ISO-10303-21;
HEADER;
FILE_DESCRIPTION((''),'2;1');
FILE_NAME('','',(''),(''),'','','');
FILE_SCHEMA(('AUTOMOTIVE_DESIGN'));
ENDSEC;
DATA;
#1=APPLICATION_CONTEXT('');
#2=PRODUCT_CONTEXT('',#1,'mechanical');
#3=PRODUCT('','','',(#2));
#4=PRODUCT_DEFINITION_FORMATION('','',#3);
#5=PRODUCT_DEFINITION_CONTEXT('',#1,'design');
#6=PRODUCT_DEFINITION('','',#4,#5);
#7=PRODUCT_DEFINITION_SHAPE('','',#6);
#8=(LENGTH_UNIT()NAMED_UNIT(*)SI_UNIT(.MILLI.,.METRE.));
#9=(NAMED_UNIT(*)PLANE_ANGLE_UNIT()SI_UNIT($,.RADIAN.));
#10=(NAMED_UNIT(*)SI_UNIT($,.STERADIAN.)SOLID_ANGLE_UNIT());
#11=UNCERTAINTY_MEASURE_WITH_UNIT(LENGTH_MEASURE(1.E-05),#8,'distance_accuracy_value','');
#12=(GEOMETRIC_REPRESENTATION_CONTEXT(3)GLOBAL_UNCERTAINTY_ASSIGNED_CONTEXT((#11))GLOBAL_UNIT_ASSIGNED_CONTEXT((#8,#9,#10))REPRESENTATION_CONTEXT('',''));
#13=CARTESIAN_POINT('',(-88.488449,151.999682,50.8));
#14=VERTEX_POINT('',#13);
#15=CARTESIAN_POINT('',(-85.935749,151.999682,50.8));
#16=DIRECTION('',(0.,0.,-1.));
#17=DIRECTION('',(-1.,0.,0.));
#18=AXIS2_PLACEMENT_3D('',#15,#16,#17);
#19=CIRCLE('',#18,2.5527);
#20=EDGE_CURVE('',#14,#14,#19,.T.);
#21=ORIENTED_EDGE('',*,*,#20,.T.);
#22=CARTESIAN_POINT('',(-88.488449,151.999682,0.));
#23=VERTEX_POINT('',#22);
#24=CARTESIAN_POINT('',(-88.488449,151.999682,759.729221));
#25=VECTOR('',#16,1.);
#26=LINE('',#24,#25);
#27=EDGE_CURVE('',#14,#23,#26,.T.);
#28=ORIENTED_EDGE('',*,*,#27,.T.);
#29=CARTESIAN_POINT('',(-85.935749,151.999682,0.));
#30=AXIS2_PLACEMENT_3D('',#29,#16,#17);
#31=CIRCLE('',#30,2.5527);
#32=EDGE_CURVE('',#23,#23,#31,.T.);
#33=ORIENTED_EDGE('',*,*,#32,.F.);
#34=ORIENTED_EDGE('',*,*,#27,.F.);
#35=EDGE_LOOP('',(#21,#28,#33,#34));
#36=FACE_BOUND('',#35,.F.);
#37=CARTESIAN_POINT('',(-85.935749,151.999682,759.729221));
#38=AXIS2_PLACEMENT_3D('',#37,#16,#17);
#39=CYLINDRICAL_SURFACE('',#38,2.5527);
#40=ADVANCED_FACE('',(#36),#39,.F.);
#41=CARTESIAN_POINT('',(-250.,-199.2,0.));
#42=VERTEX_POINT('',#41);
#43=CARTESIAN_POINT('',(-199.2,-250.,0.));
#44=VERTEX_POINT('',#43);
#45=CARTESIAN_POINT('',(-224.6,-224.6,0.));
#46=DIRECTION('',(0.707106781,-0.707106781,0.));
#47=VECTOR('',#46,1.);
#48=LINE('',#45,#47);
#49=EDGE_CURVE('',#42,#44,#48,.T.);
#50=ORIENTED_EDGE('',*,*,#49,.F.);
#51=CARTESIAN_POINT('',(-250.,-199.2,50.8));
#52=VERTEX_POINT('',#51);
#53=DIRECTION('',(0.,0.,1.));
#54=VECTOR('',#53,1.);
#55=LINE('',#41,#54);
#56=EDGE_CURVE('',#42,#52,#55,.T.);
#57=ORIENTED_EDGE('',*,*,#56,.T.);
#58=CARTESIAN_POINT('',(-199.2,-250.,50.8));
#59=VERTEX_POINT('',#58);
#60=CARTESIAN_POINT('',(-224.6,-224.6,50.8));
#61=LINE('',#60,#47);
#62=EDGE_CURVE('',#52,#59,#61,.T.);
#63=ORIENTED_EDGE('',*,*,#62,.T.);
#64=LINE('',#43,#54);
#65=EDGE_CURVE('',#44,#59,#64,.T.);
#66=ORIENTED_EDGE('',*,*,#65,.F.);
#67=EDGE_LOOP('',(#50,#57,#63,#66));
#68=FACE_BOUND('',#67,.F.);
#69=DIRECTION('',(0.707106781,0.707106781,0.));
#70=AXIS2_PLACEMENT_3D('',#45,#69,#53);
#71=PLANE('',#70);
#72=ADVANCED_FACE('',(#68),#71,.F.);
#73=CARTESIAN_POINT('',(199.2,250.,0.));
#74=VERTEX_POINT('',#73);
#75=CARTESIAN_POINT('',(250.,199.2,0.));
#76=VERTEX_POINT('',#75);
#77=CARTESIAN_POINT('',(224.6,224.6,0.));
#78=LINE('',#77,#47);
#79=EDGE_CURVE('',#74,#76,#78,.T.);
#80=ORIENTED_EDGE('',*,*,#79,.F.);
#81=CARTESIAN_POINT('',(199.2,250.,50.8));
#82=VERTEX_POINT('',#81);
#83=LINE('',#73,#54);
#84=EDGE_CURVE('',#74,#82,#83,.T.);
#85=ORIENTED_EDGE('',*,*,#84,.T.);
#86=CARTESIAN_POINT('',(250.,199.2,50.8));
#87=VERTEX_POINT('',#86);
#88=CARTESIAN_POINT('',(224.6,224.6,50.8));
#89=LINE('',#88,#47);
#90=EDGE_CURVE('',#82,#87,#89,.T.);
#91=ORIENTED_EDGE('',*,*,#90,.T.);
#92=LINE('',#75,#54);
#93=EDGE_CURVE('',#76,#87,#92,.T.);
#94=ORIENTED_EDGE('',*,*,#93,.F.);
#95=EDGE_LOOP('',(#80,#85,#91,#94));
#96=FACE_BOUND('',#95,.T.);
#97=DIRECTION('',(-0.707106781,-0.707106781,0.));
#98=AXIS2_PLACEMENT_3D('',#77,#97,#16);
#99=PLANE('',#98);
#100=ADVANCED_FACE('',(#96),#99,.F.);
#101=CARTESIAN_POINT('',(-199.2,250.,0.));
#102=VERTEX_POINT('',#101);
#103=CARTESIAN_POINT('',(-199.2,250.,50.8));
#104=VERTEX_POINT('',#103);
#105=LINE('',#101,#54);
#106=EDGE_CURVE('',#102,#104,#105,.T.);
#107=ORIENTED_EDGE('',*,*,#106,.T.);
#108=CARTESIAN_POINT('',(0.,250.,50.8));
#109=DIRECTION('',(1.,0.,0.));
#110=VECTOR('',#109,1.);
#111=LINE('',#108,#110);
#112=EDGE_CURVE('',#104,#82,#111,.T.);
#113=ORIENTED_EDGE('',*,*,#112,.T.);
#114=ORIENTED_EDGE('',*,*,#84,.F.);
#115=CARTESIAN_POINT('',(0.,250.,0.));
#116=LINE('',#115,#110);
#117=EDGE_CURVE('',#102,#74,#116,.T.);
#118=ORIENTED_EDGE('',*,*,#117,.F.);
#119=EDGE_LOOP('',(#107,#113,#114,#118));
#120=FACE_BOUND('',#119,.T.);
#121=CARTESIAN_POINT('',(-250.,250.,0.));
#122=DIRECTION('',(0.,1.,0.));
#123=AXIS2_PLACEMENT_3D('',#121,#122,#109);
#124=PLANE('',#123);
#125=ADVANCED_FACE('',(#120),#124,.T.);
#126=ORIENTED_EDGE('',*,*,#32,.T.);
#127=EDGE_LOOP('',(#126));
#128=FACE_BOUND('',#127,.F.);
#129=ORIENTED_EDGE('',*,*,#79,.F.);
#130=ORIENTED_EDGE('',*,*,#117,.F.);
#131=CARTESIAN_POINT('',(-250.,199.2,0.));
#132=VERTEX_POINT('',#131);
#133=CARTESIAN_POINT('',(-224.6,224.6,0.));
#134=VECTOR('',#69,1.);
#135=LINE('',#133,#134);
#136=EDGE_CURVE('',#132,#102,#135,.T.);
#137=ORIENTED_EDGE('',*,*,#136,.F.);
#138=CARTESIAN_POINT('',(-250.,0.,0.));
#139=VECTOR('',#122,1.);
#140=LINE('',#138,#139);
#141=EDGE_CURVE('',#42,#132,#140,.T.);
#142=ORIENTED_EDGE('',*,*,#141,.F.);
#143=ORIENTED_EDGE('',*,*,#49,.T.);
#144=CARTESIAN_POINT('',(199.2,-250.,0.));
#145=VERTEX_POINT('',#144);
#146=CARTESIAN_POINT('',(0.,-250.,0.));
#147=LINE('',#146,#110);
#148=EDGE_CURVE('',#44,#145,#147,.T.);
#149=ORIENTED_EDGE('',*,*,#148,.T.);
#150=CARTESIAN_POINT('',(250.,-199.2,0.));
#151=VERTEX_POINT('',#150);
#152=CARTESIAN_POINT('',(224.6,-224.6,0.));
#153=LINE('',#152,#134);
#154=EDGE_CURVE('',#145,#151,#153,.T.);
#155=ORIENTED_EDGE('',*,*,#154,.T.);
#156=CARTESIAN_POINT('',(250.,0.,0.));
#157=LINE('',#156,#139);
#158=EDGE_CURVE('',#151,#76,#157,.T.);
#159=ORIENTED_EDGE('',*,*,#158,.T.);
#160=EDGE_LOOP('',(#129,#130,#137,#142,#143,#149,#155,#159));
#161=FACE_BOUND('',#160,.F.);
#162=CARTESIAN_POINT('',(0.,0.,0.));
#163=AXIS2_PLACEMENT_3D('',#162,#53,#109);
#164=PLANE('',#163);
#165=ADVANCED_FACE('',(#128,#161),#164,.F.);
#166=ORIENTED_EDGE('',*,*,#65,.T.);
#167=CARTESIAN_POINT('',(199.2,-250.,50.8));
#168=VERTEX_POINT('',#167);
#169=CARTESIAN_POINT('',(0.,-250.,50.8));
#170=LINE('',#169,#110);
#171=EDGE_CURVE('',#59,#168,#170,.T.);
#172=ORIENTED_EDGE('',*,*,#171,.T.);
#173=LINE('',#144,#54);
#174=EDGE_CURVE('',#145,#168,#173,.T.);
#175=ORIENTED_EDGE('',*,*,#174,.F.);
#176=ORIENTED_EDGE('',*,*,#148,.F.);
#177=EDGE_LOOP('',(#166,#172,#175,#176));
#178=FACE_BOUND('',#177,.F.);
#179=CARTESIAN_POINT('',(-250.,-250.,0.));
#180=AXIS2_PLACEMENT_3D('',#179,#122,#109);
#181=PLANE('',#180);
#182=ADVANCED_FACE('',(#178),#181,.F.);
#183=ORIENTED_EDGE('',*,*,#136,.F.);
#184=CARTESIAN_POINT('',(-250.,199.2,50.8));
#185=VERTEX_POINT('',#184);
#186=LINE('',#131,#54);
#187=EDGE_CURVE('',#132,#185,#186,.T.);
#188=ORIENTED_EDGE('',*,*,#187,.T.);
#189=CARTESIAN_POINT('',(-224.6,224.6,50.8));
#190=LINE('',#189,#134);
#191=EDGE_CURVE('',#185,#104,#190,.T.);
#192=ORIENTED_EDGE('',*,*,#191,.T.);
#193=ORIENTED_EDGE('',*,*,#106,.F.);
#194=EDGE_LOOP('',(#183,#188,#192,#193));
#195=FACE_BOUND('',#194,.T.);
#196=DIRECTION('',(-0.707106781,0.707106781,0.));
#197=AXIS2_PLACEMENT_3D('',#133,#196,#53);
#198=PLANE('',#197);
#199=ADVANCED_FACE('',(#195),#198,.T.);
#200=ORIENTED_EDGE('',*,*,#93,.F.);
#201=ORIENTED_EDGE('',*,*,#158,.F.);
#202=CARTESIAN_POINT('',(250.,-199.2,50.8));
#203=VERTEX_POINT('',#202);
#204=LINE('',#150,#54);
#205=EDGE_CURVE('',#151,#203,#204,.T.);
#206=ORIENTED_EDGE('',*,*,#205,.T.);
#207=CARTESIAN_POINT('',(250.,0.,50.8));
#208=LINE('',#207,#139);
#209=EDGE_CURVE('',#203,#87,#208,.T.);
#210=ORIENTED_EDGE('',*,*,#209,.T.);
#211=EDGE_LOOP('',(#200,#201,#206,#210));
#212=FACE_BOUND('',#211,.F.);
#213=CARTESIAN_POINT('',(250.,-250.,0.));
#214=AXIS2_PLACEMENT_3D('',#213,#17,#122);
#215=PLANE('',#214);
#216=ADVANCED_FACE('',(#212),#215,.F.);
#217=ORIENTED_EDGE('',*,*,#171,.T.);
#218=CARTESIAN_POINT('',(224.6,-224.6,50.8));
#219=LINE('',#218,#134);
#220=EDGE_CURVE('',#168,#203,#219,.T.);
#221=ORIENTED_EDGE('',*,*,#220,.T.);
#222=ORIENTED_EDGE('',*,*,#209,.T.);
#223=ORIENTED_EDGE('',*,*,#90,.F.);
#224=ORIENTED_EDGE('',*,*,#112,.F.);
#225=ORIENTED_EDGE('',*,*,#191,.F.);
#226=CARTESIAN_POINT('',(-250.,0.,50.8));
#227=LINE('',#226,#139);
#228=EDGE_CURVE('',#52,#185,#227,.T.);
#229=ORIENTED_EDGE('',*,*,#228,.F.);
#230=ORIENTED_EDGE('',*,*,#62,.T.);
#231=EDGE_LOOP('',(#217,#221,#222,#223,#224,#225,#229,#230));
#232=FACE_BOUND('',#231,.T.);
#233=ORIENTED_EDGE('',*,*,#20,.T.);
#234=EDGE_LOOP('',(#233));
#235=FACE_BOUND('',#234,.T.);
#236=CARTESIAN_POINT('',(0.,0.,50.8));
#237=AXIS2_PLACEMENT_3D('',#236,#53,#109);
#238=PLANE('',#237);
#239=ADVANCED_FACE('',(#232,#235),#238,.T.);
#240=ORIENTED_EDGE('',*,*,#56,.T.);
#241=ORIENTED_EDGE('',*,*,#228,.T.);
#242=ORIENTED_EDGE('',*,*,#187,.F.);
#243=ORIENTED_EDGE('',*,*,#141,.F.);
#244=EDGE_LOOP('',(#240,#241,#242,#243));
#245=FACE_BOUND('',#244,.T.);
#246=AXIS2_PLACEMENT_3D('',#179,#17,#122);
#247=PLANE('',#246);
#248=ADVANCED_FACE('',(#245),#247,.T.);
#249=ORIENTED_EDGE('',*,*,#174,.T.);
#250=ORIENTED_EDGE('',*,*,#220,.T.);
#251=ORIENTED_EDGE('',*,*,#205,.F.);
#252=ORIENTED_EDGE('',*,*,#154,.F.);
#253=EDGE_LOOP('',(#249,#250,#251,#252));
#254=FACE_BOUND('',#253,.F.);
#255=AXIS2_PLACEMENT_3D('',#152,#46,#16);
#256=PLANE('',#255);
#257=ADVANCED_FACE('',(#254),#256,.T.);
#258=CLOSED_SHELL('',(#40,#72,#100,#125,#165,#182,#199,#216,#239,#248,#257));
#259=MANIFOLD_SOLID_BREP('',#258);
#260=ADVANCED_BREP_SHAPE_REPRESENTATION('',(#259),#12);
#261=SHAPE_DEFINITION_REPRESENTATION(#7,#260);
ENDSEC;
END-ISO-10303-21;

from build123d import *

# Parameters (mm, degrees)
F0_W     = 500
F0_H     = 500
F1_DEPTH = 50.8
F3_D     = 5.1054
F4_SIZE  = 50.8


with BuildPart() as f1:
    # F0 (on Top) → F1 (new body)
    with BuildSketch(Plane.XY):
        Rectangle(F0_W, F0_H)
    extrude(amount=F1_DEPTH)

    # F3 (through all)
    with Locations(Plane.XY.offset(50.8)):
        with Locations((-85.9357491136, 151.999682188)):
            Hole(F3_D / 2)

    # F4
    f4_edges = [f1.edges().sort_by_distance(p)[0] for p in [
        (-250, 250, 25.4),
        (-250, -250, 25.4),
        (250, -250, 25.4),
        (250, 250, 25.4),
    ]]
    chamfer(f4_edges, length=F4_SIZE)


solid = f1.part
